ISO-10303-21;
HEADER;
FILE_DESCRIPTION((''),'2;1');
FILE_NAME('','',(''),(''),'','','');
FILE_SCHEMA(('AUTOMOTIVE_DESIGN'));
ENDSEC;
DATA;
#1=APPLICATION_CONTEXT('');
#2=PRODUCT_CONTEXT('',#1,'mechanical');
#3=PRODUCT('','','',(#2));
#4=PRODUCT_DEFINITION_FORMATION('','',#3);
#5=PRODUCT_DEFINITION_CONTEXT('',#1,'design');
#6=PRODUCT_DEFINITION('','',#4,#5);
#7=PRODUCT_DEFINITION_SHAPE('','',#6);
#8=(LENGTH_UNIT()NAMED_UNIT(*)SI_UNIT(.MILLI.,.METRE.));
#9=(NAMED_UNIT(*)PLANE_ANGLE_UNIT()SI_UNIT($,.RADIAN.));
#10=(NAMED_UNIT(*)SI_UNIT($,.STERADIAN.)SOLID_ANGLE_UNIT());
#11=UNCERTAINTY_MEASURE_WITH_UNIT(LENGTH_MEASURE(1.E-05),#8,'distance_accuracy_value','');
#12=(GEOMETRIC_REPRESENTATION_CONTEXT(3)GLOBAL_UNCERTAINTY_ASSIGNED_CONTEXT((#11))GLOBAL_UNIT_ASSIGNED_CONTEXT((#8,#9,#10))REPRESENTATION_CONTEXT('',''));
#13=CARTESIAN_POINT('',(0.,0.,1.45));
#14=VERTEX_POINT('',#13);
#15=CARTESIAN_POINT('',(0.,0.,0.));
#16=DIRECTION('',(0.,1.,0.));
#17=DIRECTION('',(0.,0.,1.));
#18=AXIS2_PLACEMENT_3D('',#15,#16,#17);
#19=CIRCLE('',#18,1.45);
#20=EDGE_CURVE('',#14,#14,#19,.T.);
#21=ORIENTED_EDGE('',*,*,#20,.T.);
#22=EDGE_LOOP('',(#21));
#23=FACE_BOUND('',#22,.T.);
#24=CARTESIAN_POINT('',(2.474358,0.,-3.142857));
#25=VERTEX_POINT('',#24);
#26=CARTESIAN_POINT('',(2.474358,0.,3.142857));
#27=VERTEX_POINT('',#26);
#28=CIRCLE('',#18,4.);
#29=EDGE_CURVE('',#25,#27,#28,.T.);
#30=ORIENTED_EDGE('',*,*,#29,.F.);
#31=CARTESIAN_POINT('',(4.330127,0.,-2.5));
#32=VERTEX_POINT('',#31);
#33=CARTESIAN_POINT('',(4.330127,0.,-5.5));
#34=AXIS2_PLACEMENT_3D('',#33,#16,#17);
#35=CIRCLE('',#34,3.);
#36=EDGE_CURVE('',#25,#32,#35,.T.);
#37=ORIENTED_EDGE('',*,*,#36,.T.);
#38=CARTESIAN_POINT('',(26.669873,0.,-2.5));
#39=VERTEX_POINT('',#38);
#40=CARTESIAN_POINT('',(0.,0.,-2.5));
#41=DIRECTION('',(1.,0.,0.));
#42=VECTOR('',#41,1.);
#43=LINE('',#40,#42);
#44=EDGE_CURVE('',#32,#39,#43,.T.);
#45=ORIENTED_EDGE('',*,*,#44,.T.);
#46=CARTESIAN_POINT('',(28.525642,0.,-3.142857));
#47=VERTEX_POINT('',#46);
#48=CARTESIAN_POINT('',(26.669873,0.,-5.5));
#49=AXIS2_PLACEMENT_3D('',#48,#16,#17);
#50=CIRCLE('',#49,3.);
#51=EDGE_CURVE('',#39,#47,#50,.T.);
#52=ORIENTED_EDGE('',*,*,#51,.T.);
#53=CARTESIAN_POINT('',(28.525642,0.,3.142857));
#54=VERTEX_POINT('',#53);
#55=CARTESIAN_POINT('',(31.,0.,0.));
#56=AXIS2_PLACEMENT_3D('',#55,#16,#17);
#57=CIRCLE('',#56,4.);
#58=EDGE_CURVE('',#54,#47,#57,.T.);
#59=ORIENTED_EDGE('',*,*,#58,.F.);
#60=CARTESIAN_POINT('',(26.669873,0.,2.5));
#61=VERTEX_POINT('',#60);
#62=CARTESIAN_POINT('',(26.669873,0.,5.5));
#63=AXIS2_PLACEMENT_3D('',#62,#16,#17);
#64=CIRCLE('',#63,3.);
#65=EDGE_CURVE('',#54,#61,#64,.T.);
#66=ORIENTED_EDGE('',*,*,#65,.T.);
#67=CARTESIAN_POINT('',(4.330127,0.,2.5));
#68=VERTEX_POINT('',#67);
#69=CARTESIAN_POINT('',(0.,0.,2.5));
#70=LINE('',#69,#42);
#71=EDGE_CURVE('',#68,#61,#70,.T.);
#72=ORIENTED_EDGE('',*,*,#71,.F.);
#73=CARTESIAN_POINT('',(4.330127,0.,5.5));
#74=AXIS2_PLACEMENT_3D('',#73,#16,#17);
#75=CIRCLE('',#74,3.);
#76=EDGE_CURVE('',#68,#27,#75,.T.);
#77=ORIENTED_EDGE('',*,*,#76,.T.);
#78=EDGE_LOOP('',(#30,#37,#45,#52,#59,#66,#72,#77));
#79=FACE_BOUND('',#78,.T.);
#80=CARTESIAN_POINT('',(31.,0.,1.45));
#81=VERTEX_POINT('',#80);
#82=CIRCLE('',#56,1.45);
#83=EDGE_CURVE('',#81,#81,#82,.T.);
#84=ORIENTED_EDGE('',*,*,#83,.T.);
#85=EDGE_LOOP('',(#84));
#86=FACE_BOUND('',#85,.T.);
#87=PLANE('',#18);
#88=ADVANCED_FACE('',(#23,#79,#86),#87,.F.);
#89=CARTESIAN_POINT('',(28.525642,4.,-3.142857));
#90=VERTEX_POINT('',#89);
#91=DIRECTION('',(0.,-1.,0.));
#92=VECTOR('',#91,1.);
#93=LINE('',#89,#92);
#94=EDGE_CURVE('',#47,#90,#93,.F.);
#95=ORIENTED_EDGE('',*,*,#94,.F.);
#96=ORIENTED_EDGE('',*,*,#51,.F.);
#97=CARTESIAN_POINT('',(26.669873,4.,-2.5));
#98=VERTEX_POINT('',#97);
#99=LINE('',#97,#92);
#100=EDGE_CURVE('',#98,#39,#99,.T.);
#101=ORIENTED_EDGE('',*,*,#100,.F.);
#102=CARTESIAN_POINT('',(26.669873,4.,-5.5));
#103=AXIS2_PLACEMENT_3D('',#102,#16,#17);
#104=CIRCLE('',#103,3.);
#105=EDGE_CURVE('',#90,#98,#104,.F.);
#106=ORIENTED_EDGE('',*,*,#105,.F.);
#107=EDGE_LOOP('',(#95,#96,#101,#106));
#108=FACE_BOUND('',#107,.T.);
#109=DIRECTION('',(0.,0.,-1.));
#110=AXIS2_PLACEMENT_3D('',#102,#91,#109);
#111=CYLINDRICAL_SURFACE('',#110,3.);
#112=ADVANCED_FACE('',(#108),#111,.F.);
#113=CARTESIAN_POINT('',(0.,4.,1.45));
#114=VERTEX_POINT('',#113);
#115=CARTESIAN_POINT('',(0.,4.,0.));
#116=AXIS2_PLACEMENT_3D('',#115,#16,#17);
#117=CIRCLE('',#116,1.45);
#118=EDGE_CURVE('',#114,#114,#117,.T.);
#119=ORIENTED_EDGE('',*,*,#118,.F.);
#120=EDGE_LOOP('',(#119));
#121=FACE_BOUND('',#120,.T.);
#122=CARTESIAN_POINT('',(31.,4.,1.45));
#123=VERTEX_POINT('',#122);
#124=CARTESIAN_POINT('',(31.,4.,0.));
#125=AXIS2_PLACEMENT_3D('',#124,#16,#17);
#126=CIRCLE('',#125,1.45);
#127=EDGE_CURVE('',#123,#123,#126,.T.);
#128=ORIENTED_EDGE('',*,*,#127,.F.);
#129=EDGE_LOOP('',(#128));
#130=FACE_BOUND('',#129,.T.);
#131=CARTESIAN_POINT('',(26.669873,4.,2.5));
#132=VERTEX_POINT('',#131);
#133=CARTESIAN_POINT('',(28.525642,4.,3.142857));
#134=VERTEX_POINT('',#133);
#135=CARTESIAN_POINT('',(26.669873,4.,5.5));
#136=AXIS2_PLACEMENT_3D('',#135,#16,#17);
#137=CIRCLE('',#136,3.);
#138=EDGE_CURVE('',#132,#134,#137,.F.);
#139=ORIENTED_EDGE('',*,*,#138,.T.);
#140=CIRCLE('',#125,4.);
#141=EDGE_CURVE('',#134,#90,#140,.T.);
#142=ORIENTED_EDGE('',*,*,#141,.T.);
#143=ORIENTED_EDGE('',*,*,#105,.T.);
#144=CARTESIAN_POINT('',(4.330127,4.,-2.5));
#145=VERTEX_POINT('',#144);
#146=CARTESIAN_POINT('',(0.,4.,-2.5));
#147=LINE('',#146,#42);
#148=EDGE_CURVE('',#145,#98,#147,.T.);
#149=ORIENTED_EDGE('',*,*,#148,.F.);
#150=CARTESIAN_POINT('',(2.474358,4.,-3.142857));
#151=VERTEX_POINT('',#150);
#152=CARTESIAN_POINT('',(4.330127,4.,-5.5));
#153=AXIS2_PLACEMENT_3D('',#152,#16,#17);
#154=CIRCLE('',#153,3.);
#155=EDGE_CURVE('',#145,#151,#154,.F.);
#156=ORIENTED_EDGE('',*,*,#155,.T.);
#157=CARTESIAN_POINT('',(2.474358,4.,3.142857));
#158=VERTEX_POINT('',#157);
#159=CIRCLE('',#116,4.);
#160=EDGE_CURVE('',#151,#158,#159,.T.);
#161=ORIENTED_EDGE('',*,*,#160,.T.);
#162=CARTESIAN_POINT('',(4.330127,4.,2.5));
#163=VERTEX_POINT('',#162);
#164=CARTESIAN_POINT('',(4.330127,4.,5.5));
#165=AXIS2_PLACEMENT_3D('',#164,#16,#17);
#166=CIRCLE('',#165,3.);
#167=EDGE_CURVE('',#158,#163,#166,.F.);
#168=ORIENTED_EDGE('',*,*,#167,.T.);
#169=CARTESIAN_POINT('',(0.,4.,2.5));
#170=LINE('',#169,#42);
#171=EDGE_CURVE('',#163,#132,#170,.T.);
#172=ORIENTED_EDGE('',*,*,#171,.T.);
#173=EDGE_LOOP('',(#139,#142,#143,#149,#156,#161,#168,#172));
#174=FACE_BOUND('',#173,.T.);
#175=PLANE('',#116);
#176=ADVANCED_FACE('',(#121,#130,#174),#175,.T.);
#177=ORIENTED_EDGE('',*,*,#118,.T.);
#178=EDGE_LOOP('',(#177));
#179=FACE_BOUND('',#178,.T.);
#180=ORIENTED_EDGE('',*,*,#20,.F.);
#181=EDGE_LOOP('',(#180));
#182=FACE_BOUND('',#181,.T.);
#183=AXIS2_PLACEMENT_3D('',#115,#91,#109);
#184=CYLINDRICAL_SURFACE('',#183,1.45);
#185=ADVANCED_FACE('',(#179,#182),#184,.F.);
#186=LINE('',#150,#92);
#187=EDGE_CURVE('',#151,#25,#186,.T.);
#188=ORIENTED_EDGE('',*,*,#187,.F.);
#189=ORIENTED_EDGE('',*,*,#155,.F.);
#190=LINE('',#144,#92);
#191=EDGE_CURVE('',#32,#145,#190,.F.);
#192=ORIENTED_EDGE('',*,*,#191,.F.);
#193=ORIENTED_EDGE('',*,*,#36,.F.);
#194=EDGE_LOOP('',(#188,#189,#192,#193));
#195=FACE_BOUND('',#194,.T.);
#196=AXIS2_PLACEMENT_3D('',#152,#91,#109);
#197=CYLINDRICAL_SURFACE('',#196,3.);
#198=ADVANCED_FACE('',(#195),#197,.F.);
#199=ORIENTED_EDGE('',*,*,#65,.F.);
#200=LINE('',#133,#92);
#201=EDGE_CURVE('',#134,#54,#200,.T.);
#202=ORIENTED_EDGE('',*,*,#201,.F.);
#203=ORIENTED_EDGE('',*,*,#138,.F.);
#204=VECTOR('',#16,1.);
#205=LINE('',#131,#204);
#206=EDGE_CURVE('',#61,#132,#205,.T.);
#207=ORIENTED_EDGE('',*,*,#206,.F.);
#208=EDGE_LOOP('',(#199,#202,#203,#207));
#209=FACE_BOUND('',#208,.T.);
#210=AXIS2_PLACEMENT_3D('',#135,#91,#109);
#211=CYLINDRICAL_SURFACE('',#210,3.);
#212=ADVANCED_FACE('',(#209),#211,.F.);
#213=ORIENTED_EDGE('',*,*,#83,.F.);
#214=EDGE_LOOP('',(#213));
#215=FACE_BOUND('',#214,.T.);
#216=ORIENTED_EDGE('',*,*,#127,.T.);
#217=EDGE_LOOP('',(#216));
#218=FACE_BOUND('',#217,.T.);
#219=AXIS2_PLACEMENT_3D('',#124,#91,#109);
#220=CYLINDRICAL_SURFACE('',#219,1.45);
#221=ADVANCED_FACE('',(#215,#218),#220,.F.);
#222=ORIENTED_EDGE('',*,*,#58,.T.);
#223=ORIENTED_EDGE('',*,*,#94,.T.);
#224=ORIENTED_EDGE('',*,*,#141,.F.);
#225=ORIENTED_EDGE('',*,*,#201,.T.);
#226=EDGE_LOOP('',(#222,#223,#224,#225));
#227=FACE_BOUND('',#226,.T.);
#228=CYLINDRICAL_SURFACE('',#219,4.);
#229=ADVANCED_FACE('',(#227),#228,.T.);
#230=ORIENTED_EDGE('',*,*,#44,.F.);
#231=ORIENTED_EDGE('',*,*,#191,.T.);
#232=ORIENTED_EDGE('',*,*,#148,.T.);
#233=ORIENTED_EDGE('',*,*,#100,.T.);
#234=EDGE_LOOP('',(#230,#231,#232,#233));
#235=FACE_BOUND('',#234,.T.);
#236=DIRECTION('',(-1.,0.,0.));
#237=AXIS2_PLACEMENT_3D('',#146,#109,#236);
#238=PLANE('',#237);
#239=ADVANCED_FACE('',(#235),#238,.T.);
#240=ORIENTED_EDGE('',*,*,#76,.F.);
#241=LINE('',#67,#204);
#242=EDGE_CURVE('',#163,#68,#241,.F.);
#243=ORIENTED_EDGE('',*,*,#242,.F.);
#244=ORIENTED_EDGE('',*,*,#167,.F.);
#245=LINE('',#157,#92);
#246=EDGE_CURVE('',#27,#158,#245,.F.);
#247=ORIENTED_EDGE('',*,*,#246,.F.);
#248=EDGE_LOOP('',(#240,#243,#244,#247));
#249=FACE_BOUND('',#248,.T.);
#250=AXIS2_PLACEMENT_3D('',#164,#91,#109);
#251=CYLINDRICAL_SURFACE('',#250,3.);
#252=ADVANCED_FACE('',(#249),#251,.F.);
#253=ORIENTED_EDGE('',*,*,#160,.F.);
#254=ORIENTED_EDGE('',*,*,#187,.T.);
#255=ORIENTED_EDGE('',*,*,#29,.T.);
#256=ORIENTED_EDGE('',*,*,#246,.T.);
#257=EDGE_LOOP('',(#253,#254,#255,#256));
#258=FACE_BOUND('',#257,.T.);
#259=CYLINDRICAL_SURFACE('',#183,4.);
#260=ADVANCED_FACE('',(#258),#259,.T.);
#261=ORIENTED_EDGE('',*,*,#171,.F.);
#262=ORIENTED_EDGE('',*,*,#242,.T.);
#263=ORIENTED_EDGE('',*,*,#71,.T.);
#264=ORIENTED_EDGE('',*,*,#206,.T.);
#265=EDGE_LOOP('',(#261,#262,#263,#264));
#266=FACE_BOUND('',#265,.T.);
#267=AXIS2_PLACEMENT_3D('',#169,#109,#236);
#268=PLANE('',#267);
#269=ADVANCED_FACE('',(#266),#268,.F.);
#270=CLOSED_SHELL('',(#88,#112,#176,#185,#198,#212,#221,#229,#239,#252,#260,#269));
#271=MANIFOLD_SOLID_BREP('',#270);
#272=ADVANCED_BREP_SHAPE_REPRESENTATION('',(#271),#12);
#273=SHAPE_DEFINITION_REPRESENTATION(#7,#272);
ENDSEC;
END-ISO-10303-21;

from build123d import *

# Parameters (mm, degrees)
SKETCH1_R           = 1.45
BOSS_EXTRUDE1_DEPTH = 4
FILLET1_R           = 3


with BuildPart() as part:
    # Sketch1 → Boss-Extrude1 (new body)
    with BuildSketch(Plane(origin=(0, 0, 0), x_dir=(1, 0, 0), z_dir=(0, 1, 0))):
        with BuildLine():
            ThreePointArc((3.122498999, 2.5), (-4, 0), (3.122498999, -2.5))
            Line((3.122498999, -2.5), (27.877501001, -2.5))
            ThreePointArc((27.877501001, -2.5), (35, 0), (27.877501001, 2.5))
            Line((27.877501001, 2.5), (3.122498999, 2.5))
        make_face()
        with Locations(Location((0, 0, 0), (0, 0, 270))):
            Circle(SKETCH1_R, mode=Mode.SUBTRACT)
        with Locations(Location((31, 0, 0), (0, 0, 270))):
            Circle(SKETCH1_R, mode=Mode.SUBTRACT)
    extrude(amount=BOSS_EXTRUDE1_DEPTH)

    # Fillet1
    fillet1_edges = [part.edges().sort_by_distance(p)[0] for p in [
        (27.877501001, 2, 2.5),
        (3.122498999, 2, 2.5),
        (3.122498999, 2, -2.5),
        (27.877501001, 2, -2.5),
    ]]
    fillet(fillet1_edges, radius=FILLET1_R)


solid = part.part
